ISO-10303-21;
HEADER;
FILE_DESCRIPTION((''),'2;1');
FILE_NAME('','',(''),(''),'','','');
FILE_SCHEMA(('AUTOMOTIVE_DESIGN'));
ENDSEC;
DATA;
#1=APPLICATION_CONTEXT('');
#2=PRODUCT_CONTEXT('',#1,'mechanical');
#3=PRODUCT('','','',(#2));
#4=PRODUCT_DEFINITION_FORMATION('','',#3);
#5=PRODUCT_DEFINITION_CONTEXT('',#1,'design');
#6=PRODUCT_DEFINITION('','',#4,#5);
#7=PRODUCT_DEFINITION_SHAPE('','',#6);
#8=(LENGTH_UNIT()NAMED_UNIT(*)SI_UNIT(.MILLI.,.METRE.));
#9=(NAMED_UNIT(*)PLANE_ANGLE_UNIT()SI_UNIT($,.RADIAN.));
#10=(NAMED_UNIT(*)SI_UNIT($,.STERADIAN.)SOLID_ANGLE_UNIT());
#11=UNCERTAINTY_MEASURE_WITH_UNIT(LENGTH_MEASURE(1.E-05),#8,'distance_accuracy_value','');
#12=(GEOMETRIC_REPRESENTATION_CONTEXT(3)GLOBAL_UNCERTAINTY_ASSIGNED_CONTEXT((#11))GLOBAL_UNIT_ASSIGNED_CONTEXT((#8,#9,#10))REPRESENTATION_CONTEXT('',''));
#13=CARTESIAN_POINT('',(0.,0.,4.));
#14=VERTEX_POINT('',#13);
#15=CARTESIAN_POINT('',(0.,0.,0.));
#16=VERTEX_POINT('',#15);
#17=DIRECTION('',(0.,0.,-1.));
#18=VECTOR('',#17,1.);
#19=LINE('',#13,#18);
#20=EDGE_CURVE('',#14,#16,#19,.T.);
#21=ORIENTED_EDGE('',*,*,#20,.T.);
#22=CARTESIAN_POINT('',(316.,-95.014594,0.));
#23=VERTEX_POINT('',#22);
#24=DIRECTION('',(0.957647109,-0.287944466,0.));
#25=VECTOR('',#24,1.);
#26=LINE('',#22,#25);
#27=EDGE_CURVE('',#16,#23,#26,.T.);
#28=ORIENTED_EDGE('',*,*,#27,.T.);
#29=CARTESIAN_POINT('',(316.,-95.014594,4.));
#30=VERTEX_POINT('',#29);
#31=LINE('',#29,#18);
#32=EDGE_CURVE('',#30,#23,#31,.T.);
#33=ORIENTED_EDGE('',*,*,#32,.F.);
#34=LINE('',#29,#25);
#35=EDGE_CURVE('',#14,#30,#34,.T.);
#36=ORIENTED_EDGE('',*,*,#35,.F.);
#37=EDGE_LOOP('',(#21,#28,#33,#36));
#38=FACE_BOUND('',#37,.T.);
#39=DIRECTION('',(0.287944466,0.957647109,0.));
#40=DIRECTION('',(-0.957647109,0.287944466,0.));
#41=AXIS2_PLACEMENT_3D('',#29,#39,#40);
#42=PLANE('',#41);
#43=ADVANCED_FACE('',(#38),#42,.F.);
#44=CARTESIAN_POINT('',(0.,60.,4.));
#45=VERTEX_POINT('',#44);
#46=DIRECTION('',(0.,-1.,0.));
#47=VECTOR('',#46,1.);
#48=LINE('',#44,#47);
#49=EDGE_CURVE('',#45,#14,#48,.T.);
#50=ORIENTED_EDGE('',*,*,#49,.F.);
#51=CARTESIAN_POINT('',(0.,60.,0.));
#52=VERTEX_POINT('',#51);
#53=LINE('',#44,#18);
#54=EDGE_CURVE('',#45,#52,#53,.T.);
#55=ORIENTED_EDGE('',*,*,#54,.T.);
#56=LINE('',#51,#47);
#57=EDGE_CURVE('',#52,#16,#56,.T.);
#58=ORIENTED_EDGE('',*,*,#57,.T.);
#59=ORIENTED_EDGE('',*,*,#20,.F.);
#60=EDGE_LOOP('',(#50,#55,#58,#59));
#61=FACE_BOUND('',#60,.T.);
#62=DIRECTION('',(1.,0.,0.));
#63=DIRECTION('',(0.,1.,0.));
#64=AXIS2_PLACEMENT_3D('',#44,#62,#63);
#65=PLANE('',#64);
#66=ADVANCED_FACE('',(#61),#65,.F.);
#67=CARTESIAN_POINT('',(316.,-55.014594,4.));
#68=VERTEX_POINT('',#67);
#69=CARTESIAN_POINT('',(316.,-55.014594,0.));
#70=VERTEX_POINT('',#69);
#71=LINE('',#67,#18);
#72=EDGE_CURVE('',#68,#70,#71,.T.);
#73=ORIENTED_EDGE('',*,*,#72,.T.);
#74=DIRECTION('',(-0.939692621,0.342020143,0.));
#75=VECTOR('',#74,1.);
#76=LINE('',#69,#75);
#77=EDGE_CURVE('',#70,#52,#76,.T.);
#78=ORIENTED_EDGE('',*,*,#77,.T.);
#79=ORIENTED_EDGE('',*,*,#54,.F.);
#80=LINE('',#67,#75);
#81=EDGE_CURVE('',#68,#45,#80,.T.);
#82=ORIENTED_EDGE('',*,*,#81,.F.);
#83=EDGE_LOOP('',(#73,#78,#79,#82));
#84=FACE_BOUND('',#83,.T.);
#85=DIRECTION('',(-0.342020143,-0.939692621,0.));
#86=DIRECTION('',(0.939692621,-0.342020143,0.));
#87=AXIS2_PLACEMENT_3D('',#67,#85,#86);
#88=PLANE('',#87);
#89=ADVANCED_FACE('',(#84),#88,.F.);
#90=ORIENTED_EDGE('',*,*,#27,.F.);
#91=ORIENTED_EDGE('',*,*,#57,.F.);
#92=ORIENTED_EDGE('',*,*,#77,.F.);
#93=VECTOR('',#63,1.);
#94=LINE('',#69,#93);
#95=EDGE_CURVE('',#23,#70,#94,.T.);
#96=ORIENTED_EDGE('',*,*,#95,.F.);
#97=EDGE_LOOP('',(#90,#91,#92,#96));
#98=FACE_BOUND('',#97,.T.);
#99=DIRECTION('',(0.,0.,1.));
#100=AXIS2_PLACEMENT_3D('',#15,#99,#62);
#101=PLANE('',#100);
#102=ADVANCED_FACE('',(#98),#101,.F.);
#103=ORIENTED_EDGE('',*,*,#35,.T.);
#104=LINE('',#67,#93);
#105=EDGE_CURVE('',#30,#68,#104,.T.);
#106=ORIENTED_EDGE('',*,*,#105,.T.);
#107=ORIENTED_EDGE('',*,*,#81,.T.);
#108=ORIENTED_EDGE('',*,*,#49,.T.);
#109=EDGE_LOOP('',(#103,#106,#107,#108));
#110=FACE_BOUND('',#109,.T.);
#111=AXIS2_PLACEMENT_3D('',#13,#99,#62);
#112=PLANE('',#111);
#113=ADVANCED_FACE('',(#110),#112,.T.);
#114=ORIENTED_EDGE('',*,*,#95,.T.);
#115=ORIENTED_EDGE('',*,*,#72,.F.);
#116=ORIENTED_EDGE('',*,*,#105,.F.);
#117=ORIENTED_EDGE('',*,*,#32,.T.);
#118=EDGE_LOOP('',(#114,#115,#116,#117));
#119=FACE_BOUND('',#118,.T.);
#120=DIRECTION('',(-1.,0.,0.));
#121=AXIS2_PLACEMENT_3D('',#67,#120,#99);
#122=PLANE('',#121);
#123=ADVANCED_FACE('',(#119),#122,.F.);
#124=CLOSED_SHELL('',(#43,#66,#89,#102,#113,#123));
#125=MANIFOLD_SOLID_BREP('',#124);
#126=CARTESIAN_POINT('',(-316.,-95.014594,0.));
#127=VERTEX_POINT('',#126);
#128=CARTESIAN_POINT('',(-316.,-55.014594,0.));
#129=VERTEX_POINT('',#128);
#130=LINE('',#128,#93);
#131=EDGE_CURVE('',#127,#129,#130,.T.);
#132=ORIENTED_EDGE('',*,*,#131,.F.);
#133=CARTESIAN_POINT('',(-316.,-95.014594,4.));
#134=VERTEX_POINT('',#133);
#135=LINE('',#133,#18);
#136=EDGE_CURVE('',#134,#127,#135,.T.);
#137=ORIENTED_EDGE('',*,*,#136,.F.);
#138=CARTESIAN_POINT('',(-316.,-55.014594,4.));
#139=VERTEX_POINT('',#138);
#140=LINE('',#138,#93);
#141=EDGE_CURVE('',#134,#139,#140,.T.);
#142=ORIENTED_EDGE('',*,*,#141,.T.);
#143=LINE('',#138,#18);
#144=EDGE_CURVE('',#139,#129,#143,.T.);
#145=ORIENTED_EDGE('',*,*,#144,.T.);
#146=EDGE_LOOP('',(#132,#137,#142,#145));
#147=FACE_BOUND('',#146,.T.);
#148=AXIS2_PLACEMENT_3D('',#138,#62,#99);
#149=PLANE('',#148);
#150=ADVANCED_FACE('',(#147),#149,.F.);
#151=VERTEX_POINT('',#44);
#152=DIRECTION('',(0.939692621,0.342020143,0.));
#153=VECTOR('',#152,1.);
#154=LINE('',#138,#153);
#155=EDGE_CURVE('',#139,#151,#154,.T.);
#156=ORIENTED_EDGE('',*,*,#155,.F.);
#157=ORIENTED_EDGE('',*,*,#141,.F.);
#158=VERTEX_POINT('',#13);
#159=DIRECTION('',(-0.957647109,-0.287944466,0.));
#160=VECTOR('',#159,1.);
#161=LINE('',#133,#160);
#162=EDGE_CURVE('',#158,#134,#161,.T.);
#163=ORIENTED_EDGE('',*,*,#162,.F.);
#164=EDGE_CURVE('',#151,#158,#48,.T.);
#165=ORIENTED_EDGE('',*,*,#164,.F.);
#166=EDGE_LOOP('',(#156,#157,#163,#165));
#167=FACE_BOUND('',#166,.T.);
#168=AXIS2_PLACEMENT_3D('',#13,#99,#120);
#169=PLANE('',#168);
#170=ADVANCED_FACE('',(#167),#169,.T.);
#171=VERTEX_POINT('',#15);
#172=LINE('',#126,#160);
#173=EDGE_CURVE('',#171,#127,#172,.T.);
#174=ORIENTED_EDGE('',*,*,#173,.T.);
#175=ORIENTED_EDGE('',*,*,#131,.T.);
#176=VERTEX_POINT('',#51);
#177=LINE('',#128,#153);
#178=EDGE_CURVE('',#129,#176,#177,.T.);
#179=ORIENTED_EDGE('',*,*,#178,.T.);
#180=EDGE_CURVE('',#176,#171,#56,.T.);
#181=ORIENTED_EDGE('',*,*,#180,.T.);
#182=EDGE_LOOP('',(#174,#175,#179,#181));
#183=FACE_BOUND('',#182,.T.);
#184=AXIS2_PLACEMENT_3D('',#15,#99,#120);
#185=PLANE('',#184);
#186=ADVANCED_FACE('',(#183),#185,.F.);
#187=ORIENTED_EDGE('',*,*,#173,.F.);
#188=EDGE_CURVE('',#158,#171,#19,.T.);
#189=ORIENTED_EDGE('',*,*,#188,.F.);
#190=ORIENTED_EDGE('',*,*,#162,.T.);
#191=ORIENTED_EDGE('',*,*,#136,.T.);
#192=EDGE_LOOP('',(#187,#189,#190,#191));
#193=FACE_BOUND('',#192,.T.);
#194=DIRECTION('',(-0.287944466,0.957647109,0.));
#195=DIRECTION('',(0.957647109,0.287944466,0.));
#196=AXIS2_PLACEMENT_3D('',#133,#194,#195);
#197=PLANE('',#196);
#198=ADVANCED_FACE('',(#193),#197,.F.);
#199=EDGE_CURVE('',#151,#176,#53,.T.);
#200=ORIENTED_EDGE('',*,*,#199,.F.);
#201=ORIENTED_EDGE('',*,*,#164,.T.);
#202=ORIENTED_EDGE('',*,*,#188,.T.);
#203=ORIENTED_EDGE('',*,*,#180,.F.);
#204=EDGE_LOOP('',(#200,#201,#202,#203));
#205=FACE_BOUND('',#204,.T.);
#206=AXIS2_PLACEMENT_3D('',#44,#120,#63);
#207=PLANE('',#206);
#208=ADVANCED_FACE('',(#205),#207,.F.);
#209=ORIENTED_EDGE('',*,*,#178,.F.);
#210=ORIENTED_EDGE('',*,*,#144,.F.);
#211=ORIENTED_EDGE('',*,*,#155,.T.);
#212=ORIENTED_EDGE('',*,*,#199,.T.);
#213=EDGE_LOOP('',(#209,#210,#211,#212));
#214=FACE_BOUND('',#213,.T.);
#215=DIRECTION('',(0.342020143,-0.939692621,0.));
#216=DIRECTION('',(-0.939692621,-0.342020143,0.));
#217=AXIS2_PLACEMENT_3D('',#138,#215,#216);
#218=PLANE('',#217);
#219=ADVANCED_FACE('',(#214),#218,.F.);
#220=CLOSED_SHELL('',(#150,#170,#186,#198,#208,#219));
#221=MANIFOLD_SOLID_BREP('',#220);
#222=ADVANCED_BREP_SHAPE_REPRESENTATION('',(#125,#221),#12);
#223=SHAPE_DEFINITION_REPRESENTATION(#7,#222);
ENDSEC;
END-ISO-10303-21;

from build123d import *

# Parameters (mm, degrees)
BOSS_EXTRUDE1_DEPTH = 4


with BuildPart() as part:
    # Sketch1 → Boss-Extrude1 (new body)
    with BuildSketch(Plane.XY):
        Polygon((0, 60), (0, 0), (316, -95.014594028), (316, -55.014594028), align=None)
    extrude(amount=BOSS_EXTRUDE1_DEPTH)


with BuildPart() as body_2:
    # Mirror1: mirrored copy
    add(part.part.mirror(Plane(origin=(0, 0, 0), x_dir=(0, 0, 1), z_dir=(1, 0, 0))))


solid = Compound([part.part, body_2.part])
